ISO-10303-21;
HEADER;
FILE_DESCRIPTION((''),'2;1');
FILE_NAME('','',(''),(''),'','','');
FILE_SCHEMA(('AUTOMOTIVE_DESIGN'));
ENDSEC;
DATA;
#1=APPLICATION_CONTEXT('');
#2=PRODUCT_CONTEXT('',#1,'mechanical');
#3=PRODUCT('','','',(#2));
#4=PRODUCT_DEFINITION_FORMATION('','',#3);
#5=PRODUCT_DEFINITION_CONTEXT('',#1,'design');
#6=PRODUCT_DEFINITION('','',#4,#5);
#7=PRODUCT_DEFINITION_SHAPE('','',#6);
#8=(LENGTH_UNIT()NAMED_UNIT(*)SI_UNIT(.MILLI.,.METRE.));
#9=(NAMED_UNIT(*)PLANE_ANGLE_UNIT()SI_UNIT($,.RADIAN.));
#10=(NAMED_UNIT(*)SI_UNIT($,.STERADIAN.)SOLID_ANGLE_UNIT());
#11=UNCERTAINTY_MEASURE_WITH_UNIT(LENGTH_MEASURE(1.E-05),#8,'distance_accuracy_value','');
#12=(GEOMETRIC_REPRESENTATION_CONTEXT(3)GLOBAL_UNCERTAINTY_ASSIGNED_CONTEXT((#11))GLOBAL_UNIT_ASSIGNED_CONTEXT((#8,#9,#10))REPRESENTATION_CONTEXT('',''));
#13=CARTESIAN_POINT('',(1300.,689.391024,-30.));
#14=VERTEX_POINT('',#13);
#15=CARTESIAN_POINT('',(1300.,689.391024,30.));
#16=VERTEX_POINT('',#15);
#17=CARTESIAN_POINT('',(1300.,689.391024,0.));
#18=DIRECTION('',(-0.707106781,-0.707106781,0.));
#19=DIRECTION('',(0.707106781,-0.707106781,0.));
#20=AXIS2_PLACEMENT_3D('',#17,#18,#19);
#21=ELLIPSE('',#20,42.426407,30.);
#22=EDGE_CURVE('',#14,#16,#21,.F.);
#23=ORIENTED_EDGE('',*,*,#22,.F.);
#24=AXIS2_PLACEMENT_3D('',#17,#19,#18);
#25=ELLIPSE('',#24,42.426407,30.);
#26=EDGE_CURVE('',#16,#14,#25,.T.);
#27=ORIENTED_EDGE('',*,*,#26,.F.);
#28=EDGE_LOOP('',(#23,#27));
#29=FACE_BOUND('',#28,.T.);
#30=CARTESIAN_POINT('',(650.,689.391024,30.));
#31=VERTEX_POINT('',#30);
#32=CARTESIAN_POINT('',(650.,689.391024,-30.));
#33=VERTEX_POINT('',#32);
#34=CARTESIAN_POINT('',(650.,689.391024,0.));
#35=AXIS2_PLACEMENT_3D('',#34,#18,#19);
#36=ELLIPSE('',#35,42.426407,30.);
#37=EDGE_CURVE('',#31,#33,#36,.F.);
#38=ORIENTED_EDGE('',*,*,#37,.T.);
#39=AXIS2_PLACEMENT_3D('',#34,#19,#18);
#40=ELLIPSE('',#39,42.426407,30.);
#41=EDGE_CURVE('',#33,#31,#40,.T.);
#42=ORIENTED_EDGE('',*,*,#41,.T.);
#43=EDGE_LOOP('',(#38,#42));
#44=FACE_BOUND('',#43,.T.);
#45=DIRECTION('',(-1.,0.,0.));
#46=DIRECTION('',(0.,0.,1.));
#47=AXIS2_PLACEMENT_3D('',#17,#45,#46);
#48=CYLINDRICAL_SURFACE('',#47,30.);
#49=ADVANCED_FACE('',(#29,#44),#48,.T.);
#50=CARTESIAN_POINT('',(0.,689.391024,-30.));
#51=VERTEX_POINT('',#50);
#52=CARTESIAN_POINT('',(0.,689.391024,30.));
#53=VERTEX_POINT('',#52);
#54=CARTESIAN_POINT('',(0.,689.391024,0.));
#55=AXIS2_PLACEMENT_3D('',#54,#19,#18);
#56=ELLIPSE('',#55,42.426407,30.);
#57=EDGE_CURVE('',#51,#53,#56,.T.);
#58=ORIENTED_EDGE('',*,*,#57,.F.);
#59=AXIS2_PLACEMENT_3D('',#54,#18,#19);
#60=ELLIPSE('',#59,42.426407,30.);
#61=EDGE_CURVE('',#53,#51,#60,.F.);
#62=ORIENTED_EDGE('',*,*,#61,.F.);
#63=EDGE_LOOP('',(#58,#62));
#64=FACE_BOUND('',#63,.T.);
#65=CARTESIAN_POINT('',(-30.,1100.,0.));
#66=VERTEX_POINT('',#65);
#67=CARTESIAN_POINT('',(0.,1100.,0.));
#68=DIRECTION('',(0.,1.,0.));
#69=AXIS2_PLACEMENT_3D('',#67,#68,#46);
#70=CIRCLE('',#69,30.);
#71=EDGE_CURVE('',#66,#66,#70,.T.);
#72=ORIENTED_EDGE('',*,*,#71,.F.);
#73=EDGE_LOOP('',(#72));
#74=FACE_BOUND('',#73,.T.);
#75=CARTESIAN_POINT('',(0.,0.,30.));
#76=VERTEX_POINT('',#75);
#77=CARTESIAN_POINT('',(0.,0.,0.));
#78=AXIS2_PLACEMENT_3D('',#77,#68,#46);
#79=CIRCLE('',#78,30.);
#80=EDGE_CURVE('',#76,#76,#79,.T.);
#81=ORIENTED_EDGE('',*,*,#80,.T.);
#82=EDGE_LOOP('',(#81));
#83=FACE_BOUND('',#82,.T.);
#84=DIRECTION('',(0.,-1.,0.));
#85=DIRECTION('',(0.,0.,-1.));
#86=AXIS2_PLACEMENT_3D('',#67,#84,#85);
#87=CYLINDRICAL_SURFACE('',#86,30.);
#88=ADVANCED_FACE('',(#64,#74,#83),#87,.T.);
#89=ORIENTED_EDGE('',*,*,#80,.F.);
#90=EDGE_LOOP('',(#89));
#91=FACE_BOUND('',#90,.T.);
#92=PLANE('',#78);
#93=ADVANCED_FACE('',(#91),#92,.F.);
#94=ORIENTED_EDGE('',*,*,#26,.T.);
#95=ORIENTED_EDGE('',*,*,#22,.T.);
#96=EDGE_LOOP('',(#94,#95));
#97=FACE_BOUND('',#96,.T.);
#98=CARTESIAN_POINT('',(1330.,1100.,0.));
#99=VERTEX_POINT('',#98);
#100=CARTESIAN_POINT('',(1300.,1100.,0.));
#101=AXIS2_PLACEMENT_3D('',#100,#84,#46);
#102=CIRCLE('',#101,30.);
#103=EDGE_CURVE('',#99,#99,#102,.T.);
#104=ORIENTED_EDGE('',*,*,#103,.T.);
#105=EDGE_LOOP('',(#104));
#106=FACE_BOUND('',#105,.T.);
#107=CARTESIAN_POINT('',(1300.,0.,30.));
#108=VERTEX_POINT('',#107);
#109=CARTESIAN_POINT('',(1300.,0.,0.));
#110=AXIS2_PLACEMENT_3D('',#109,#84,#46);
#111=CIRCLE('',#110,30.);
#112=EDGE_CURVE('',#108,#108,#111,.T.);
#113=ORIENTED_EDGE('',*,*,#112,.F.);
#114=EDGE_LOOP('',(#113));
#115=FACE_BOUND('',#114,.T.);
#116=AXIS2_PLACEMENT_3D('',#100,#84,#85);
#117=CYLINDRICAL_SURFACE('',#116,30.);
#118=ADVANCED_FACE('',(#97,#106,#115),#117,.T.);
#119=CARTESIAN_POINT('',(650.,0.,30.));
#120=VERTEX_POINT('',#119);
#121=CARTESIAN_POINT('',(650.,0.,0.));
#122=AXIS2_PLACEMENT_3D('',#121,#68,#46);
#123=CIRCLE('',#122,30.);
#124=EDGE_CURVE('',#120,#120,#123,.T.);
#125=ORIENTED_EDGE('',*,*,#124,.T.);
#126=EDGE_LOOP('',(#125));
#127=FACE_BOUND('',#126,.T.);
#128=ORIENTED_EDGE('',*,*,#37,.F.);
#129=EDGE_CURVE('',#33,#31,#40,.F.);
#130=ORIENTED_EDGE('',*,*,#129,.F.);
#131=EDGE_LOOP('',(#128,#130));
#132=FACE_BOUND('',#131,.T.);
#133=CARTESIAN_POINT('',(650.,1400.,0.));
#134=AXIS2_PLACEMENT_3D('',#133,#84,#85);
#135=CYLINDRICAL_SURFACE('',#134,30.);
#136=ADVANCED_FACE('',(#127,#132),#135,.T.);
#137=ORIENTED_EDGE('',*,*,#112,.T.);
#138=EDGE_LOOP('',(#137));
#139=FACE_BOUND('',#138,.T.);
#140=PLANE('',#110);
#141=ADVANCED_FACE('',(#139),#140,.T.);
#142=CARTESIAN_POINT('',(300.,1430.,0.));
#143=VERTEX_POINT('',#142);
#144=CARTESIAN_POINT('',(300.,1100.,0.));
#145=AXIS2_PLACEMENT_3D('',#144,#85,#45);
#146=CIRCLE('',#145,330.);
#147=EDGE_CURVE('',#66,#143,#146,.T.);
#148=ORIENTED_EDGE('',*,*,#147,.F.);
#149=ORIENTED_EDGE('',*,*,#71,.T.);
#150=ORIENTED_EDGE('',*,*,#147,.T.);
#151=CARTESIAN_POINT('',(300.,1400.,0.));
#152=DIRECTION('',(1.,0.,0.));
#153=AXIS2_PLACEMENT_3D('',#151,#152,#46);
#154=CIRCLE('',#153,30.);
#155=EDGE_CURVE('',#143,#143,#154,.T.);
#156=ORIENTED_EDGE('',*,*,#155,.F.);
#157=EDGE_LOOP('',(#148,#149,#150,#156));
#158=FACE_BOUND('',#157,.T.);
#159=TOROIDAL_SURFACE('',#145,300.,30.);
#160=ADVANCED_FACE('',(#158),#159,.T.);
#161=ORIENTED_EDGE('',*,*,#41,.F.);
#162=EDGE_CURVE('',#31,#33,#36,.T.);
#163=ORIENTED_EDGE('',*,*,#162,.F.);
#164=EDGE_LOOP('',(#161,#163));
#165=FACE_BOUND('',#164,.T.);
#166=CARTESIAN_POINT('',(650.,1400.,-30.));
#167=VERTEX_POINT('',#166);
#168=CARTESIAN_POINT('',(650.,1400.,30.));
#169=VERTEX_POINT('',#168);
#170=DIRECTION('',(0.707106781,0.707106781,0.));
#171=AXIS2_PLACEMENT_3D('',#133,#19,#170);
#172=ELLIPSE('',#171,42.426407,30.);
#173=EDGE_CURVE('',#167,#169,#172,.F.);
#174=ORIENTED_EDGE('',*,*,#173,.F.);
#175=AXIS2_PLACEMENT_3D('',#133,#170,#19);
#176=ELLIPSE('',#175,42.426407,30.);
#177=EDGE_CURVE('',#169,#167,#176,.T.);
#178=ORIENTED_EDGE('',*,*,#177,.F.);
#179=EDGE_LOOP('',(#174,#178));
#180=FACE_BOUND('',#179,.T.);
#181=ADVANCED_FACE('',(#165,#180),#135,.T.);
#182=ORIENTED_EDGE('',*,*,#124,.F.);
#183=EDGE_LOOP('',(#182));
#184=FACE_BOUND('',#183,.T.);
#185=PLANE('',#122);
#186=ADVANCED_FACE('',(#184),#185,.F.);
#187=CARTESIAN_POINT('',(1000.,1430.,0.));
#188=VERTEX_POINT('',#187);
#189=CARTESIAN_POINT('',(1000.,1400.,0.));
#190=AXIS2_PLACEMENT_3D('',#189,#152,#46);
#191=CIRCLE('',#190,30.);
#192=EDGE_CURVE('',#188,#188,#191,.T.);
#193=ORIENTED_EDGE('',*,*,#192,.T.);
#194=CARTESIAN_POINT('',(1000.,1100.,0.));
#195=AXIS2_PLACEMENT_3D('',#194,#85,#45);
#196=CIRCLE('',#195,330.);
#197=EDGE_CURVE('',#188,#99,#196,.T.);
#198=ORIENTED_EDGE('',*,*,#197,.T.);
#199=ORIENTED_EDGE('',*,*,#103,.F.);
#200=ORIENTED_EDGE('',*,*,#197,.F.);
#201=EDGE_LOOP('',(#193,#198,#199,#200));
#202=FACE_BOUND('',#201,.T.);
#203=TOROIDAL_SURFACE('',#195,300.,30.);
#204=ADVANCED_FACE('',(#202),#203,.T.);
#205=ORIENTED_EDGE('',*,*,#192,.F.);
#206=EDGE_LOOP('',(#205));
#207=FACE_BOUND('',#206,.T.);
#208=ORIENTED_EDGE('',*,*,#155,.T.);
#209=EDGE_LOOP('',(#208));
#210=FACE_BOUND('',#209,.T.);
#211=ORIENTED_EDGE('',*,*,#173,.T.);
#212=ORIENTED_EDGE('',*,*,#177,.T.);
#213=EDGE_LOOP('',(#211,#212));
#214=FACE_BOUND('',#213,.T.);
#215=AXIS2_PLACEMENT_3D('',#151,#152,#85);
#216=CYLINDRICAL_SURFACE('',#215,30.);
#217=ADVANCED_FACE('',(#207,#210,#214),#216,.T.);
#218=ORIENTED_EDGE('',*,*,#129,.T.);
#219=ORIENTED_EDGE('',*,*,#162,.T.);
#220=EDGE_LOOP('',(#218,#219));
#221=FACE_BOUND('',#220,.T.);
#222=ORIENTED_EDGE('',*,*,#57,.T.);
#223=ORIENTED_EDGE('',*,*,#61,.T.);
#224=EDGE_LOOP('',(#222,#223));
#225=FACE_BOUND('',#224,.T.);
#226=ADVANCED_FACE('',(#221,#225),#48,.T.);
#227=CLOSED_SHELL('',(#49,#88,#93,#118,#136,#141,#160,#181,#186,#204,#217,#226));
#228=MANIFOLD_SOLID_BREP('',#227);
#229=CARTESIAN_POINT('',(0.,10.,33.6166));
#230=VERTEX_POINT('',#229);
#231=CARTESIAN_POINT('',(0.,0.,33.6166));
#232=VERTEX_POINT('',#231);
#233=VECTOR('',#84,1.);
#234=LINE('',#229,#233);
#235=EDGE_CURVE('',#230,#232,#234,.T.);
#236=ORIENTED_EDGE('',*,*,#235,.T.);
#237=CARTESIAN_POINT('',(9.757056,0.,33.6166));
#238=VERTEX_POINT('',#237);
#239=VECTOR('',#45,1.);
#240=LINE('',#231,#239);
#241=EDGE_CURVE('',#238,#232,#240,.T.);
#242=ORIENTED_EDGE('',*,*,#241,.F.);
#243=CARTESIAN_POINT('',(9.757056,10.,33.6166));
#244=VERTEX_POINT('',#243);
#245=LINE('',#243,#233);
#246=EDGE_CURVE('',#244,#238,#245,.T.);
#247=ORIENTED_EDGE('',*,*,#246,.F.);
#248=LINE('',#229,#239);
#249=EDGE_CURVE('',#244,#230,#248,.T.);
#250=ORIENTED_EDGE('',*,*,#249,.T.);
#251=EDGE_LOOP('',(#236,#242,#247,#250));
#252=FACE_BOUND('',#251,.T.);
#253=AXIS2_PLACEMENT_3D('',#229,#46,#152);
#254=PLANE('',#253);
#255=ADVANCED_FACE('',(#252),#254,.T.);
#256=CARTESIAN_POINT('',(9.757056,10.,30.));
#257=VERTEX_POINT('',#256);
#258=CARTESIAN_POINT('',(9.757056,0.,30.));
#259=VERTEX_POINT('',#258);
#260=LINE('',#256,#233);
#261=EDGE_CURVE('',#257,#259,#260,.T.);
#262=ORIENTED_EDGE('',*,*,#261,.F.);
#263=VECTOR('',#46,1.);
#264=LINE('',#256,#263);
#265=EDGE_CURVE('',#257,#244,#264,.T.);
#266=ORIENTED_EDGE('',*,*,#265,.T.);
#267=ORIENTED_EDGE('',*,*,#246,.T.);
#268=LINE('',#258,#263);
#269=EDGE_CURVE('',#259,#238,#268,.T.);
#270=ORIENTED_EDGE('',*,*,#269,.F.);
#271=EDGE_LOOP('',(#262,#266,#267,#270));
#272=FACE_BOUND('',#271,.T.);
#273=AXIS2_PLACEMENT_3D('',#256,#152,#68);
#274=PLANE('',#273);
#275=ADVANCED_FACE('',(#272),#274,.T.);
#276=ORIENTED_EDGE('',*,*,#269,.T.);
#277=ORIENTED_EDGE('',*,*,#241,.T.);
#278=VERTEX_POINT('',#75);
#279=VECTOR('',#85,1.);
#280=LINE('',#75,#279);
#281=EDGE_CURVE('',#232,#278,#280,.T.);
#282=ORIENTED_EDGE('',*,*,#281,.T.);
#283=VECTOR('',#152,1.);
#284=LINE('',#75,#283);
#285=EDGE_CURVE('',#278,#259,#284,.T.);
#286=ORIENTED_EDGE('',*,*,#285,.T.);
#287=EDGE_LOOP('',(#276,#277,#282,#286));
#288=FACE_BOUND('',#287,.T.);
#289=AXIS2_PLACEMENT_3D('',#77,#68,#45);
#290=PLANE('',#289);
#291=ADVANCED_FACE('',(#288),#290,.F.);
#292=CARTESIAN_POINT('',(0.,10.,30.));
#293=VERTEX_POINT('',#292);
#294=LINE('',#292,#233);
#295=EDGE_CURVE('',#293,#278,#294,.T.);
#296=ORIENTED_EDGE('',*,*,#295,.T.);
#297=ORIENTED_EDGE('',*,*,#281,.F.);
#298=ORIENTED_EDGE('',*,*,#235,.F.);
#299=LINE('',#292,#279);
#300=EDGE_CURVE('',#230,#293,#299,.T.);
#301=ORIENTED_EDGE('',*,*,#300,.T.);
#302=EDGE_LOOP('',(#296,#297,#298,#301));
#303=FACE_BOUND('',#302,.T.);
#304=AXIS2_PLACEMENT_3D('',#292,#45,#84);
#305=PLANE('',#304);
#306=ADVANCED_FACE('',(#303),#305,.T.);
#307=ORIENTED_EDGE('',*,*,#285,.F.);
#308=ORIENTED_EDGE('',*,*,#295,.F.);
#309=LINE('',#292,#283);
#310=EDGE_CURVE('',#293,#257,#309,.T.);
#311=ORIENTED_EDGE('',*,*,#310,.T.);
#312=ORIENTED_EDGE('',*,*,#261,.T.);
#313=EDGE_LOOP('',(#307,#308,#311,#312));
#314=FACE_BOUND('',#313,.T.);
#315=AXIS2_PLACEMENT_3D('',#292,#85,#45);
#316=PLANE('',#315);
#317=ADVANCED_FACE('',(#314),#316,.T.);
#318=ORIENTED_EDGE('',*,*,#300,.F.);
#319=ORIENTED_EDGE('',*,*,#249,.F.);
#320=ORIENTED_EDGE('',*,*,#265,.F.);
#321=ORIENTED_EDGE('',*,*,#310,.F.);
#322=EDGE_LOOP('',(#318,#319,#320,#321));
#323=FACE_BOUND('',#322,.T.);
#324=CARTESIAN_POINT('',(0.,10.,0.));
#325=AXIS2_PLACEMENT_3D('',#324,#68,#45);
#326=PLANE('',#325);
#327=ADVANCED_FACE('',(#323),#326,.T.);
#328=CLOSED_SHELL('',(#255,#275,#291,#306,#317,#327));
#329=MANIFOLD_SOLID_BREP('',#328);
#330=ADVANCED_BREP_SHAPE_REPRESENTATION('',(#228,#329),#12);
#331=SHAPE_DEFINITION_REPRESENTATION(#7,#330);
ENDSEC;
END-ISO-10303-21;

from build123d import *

# Parameters (mm, degrees)
SKETCH_2_R      = 30
SKETCH_4_R      = 30
EXTRUDE_1_DEPTH = 1400
SKETCH_5_R      = 30
EXTRUDE_2_DEPTH = 1300
SKETCH_6_W      = 9.757055714
SKETCH_6_H      = 3.616600388
EXTRUDE_3_DEPTH = 10


with BuildPart() as part:
    # 扫描1: sweep along a path in 草图1
    with BuildLine(Plane.XY) as sweep_1_path:
        Line((0, 0), (0, 1100))
        ThreePointArc((0, 1100), (87.867965644, 1312.132034356), (300, 1400))
        Line((300, 1400), (1000, 1400))
        ThreePointArc((1000, 1400), (1212.132034356, 1312.132034356), (1300, 1100))
        Line((1300, 1100), (1300, 0))
    # 草图2 → 扫描1 (sweep)
    with BuildSketch(Plane(origin=(0, 0, 0), x_dir=(1, 0, 0), z_dir=(0, 1, 0))):
        Circle(SKETCH_2_R)
    sweep(path=sweep_1_path.line)

    # 草图4 → 凸台-拉伸1 (add)
    with BuildSketch(Plane(origin=(0, 0, 0), x_dir=(1, 0, 0), z_dir=(0, 1, 0))):
        with Locations(Location((650, 0, 0), (0, 0, 270))):
            Circle(SKETCH_4_R)
    extrude(amount=EXTRUDE_1_DEPTH)

    # 草图5 → 凸台-拉伸2 (add)
    with BuildSketch(Plane(origin=(0, 0, 0), x_dir=(0, 0, -1), z_dir=(1, 0, 0))):
        with Locations(Location((0, 689.391024167, 0), (0, 0, 180))):
            Circle(SKETCH_5_R)
    extrude(amount=EXTRUDE_2_DEPTH)


with BuildPart() as body_2:
    # 草图6 → 凸台-拉伸3 (new body)
    with BuildSketch(Plane.XZ):
        with Locations((4.878527857, 31.808300194)):
            Rectangle(SKETCH_6_W, SKETCH_6_H)
    extrude(amount=-EXTRUDE_3_DEPTH)


solid = Compound([part.part, body_2.part])
